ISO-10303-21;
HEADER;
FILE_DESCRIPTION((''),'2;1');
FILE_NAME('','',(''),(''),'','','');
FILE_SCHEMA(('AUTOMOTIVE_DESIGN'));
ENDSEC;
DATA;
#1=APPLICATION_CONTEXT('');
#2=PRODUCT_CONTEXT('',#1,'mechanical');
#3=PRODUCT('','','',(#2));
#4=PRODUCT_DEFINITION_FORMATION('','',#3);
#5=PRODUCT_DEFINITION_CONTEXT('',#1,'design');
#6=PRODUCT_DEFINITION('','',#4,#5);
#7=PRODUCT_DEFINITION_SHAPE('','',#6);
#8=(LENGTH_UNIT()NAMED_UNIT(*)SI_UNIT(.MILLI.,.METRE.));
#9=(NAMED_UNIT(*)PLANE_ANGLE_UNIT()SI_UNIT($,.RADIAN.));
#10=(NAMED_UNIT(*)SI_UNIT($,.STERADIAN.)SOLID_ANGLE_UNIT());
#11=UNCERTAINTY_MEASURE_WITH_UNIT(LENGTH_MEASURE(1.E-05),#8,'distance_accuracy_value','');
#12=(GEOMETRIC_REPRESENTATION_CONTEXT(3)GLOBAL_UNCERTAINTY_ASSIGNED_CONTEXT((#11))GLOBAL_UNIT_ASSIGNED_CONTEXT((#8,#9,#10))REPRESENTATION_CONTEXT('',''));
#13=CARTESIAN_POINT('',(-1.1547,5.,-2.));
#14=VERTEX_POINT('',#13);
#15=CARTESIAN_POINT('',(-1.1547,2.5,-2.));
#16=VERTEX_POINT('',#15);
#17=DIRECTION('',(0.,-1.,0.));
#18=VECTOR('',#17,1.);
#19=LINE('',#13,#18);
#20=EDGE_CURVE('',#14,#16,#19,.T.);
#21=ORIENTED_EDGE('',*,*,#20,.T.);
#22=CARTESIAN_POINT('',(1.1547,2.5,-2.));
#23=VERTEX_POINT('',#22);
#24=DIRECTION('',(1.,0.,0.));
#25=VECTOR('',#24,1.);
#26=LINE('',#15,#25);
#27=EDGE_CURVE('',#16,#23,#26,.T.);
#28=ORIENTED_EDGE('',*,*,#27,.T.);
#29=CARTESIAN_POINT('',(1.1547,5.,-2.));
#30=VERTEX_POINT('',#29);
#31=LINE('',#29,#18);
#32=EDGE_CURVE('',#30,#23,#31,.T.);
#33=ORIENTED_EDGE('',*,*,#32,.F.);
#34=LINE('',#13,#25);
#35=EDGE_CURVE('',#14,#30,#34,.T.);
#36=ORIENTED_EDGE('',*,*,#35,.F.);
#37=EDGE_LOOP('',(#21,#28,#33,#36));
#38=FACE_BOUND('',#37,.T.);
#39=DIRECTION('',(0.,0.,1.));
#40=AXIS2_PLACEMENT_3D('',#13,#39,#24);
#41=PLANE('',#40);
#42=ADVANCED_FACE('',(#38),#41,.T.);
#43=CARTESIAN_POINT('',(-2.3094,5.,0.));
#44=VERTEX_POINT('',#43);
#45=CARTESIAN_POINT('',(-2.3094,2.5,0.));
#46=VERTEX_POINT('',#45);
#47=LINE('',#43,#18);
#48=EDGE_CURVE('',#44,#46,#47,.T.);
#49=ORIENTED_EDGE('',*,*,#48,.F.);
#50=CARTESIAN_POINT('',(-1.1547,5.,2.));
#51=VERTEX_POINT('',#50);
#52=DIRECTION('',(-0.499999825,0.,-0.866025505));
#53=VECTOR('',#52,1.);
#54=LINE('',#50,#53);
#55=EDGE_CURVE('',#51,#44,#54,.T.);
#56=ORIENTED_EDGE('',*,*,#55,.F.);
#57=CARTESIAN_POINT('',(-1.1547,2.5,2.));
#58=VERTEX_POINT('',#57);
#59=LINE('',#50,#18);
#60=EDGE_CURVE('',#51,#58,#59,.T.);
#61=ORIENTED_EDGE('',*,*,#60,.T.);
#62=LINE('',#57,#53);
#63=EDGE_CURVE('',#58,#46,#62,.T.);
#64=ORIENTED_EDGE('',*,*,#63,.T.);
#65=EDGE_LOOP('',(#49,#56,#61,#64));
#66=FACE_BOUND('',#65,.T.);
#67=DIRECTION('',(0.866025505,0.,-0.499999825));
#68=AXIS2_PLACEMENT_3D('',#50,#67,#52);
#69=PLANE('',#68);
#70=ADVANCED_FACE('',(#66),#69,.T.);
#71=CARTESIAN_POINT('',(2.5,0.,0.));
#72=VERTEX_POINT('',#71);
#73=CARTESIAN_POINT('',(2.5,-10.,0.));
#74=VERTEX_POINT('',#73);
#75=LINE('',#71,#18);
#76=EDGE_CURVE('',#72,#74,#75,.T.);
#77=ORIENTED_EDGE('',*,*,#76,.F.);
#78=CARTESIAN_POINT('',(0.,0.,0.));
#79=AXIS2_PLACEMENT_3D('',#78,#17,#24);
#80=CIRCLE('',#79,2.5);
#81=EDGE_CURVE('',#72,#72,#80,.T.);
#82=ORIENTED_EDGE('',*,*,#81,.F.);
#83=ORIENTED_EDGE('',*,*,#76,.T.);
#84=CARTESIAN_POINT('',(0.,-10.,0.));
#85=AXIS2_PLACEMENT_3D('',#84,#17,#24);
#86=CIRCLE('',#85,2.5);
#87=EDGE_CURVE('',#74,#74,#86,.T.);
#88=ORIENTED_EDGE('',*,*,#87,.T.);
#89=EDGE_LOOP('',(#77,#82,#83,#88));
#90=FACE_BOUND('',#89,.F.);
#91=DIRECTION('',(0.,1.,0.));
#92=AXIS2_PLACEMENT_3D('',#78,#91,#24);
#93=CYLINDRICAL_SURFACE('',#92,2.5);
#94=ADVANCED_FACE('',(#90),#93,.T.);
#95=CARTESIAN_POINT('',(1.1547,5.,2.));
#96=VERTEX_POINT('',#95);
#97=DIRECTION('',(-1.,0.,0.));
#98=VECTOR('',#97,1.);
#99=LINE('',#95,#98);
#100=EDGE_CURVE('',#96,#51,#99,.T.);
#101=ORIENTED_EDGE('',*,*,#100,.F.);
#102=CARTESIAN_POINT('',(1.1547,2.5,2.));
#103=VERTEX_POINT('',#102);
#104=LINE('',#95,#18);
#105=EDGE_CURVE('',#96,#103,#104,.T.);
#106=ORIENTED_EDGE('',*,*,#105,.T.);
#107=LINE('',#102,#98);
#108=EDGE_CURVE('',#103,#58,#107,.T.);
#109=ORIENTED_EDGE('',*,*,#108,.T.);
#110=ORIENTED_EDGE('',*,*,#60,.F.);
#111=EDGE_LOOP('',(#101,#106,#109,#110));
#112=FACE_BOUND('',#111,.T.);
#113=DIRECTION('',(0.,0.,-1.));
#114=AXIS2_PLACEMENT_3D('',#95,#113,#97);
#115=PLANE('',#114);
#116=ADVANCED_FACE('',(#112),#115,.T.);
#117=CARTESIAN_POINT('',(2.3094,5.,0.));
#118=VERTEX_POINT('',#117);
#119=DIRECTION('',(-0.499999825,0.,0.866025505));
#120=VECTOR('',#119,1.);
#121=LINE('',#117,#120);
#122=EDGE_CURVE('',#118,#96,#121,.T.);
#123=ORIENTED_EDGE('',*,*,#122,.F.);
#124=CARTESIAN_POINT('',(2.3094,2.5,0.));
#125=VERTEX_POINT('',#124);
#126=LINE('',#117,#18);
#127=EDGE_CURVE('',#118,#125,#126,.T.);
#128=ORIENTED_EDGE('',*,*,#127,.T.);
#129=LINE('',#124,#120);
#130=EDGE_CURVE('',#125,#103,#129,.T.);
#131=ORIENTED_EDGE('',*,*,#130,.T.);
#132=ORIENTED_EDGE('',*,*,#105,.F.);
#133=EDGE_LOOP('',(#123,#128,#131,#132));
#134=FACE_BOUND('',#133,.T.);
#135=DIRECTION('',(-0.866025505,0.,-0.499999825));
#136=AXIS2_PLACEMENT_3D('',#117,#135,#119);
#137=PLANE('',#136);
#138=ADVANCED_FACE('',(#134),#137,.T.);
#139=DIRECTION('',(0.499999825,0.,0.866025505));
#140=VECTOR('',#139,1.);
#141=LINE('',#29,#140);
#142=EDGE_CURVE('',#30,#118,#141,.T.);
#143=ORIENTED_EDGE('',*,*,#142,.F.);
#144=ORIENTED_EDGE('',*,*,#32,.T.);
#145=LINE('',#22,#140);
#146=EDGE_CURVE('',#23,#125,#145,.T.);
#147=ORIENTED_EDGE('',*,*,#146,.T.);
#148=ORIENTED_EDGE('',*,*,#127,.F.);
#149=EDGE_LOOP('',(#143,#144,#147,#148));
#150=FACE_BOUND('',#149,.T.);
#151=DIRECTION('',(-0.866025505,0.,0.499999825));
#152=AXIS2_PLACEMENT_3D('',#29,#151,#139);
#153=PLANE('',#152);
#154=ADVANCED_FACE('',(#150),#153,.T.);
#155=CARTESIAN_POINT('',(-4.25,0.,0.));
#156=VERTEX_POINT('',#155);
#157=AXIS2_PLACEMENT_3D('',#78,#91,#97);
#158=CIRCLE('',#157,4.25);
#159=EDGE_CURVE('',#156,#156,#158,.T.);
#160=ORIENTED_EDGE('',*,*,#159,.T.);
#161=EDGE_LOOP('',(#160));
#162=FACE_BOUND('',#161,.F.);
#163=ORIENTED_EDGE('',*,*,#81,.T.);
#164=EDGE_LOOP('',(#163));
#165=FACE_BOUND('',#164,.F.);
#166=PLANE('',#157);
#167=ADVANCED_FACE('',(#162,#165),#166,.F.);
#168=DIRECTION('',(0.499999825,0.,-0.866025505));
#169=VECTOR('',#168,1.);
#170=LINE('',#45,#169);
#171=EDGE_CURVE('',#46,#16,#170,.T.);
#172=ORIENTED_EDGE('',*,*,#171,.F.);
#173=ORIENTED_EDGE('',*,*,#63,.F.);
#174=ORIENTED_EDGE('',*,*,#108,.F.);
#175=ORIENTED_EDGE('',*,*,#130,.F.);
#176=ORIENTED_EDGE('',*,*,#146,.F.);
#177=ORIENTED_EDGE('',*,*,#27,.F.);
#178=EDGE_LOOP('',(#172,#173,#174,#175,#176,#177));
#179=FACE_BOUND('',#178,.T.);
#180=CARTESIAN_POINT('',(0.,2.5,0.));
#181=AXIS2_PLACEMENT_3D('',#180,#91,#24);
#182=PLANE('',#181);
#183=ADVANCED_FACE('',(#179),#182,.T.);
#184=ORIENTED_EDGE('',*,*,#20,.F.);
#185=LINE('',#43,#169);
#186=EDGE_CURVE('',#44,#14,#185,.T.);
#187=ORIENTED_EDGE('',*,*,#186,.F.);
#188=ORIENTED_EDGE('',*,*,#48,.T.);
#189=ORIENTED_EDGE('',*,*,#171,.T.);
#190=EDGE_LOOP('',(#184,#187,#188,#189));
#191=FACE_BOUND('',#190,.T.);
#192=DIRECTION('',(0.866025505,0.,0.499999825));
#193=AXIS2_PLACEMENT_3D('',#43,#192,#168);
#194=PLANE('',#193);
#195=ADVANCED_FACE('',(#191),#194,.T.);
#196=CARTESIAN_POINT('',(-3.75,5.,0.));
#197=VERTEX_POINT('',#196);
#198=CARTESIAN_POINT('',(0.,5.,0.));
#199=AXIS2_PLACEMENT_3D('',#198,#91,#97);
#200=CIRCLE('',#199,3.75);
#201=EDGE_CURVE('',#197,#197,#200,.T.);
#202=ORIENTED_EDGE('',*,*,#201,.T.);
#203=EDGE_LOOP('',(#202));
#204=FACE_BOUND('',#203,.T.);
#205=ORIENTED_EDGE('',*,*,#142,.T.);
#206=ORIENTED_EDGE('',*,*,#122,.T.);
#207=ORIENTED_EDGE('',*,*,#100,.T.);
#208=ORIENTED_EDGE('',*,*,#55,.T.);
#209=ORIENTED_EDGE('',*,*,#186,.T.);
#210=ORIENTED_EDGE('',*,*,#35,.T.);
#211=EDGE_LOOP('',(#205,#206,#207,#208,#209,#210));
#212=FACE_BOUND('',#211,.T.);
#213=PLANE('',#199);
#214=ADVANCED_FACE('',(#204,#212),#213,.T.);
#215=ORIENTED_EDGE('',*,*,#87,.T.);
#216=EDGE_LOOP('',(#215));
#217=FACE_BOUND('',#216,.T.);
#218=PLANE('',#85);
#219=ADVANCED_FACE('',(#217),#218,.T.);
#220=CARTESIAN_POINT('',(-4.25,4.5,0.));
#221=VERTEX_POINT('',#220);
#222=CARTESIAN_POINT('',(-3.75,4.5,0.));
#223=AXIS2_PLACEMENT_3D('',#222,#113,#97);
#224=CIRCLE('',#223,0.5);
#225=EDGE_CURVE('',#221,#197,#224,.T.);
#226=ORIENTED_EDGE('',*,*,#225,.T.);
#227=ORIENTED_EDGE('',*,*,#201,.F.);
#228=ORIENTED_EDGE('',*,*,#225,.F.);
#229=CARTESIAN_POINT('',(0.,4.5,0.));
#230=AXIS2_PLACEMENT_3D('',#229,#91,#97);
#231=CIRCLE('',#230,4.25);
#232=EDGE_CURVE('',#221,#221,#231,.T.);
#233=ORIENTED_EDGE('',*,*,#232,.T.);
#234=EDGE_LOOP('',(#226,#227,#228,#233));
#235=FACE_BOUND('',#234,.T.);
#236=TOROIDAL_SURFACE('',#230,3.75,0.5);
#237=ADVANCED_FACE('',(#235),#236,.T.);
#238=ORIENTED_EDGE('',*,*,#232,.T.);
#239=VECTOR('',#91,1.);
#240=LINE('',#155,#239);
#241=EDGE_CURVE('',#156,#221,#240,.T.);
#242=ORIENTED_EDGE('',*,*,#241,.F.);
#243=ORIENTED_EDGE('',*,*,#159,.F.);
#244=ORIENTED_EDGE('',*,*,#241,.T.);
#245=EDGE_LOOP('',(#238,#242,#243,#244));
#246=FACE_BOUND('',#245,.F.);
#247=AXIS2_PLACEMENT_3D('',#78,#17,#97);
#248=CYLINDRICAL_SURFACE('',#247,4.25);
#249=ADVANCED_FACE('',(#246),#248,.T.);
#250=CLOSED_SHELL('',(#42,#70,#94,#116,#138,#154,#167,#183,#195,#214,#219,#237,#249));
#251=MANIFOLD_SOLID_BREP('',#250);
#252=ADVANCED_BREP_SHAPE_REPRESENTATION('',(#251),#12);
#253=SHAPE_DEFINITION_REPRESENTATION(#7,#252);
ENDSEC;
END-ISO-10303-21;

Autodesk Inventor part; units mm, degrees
ref_plane "YZ Plane" through (0, 0, 0) normal (1, 0, 0) x (0, 1, 0)
ref_plane "XZ Plane" through (0, 0, 0) normal (0, 1, 0) x (-1, 0, 0)
ref_plane "XY Plane" through (0, 0, 0) normal (0, 0, 1) x (1, 0, 0)
sketch "Cap Cross Section" plane through (0, 0, 0) normal (0, 1, 0) x (-1, 0, 0)
  circle A0 centre (0, 0) radius 4.25
  dimension "d0" = 8.5
extrude "Cap" add sketch "Cap Cross Section" along normal blind 5
sketch "Key Socket Cutout Outline" plane through (0, 5, 0) normal (0, 1, 0) x (1, 0, 0)
  line L0 (1.1547, 2) -> (2.3094, 0)
  line L1 (2.3094, 0) -> (1.1547, -2)
  line L2 (1.1547, -2) -> (-1.1547, -2)
  line L3 (-1.1547, -2) -> (-2.3094, 0)
  line L4 (-2.3094, 0) -> (-1.1547, 2)
  line L5 (-1.1547, 2) -> (1.1547, 2)
  point P0 (0, 0)
  point P1 (0, 0)
  dimension "d3" = 4
extrude "Key Socket Cutout" cut sketch "Key Socket Cutout Outline" against normal blind 2.5
sketch "Body Cross Section" plane through (0, 0, 0) normal (0, -1, 0) x (1, 0, 0)
  circle A0 centre (0, 0) radius 2.5
  dimension "d6" = 5
extrude "Body" add sketch "Body Cross Section" along normal blind 10
thread "Thread" size "M5x0.8" class "6g" standard "ANSI Metric M Profile" full length
fillet "Cap Fillet" radius 0.5 1 edges at (4.25, 5, 0)
properties part number "SSCF-M5-10-A4" material "Stainless Steel AISI 317"
